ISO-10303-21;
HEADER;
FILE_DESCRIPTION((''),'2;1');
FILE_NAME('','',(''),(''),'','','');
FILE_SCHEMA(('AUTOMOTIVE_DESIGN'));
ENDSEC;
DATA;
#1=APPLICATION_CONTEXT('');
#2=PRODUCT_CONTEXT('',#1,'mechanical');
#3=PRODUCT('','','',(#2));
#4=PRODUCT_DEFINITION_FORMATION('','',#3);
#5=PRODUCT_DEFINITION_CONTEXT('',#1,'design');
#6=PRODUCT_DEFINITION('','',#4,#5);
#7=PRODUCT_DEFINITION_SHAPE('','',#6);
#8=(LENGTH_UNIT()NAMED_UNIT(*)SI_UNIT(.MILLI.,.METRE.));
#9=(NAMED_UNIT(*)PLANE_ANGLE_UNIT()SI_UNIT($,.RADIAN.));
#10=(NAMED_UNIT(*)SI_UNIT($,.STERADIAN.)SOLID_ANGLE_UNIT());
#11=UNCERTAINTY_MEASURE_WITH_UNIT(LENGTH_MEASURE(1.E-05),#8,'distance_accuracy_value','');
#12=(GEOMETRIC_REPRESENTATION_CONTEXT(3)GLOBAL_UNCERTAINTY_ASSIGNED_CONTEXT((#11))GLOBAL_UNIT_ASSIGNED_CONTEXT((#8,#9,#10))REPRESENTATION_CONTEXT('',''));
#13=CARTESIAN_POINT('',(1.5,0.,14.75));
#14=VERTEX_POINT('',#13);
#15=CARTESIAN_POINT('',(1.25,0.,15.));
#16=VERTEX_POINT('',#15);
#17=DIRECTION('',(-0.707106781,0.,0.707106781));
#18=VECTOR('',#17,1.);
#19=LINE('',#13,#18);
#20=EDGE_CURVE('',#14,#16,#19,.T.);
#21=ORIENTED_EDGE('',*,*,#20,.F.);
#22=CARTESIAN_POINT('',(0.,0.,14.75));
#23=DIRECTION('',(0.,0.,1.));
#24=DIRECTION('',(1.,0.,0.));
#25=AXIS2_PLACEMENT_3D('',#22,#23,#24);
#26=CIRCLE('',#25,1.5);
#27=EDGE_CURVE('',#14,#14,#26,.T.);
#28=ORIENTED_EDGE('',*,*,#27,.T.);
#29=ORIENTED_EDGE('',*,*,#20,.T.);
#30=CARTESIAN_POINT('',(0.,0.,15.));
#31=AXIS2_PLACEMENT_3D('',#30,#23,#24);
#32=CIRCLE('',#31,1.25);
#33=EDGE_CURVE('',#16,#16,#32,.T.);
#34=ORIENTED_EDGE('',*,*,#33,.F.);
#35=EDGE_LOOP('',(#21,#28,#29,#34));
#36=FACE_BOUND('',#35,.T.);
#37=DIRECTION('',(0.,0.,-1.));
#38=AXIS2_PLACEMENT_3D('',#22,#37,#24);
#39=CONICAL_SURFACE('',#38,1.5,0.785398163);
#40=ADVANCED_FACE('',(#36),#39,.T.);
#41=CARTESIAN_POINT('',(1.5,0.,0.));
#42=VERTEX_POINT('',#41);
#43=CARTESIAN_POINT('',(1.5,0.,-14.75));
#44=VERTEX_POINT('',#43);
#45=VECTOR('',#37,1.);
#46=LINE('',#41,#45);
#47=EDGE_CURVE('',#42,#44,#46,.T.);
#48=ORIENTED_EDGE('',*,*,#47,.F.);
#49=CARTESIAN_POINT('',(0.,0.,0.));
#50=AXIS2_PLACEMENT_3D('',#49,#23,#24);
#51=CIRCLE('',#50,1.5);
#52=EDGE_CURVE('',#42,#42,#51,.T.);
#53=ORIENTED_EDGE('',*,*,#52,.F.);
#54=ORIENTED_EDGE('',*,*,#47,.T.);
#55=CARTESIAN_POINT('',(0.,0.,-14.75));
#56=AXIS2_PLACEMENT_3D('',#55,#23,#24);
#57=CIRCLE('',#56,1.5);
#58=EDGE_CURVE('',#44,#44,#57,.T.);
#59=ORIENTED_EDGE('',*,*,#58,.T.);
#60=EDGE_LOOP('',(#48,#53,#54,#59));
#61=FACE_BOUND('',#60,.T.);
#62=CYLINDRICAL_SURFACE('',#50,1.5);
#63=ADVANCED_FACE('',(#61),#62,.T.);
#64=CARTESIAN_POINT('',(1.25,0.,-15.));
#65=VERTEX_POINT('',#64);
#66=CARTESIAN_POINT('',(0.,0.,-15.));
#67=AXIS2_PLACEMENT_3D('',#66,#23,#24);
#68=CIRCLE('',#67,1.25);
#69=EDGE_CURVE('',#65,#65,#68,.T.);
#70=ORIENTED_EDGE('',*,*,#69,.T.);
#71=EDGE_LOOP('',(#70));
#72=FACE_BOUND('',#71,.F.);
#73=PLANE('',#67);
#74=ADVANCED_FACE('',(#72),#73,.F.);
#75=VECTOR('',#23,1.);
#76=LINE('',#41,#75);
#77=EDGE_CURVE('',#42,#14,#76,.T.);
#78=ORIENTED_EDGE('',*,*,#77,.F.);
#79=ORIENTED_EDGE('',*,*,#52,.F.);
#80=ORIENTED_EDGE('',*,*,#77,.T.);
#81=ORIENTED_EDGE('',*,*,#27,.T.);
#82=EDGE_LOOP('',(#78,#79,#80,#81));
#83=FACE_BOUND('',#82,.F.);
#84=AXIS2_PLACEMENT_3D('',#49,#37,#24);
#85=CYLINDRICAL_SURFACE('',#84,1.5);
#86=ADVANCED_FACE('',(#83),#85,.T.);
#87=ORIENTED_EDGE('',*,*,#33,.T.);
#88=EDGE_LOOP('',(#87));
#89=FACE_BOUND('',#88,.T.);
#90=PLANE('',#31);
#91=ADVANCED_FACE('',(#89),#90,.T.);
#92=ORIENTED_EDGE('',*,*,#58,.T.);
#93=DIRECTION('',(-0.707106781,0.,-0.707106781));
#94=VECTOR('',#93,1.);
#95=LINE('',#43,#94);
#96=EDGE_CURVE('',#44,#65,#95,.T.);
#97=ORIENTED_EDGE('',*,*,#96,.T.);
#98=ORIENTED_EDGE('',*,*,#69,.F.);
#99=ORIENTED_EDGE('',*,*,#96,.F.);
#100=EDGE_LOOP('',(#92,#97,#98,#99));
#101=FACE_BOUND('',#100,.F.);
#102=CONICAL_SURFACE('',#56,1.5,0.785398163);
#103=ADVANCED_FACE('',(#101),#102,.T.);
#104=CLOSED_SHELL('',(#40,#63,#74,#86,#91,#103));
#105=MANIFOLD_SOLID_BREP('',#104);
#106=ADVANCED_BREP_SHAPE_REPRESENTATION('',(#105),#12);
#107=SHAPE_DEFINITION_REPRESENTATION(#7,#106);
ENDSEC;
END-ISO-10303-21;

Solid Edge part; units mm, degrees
sketch "Sketch1" plane through (0, 0, 0) normal (0, 0, 1) x (1, 0, 0)
  circle A0 centre (0, 0) radius 1.5
extrude "Protrusion1" add sketch "Sketch1" along normal mid plane 30
chamfer "Chaflán_1" distance 0.25 angle 45 2 edges at (-1.5, 0, 15) (-1.5, 0, -15)
